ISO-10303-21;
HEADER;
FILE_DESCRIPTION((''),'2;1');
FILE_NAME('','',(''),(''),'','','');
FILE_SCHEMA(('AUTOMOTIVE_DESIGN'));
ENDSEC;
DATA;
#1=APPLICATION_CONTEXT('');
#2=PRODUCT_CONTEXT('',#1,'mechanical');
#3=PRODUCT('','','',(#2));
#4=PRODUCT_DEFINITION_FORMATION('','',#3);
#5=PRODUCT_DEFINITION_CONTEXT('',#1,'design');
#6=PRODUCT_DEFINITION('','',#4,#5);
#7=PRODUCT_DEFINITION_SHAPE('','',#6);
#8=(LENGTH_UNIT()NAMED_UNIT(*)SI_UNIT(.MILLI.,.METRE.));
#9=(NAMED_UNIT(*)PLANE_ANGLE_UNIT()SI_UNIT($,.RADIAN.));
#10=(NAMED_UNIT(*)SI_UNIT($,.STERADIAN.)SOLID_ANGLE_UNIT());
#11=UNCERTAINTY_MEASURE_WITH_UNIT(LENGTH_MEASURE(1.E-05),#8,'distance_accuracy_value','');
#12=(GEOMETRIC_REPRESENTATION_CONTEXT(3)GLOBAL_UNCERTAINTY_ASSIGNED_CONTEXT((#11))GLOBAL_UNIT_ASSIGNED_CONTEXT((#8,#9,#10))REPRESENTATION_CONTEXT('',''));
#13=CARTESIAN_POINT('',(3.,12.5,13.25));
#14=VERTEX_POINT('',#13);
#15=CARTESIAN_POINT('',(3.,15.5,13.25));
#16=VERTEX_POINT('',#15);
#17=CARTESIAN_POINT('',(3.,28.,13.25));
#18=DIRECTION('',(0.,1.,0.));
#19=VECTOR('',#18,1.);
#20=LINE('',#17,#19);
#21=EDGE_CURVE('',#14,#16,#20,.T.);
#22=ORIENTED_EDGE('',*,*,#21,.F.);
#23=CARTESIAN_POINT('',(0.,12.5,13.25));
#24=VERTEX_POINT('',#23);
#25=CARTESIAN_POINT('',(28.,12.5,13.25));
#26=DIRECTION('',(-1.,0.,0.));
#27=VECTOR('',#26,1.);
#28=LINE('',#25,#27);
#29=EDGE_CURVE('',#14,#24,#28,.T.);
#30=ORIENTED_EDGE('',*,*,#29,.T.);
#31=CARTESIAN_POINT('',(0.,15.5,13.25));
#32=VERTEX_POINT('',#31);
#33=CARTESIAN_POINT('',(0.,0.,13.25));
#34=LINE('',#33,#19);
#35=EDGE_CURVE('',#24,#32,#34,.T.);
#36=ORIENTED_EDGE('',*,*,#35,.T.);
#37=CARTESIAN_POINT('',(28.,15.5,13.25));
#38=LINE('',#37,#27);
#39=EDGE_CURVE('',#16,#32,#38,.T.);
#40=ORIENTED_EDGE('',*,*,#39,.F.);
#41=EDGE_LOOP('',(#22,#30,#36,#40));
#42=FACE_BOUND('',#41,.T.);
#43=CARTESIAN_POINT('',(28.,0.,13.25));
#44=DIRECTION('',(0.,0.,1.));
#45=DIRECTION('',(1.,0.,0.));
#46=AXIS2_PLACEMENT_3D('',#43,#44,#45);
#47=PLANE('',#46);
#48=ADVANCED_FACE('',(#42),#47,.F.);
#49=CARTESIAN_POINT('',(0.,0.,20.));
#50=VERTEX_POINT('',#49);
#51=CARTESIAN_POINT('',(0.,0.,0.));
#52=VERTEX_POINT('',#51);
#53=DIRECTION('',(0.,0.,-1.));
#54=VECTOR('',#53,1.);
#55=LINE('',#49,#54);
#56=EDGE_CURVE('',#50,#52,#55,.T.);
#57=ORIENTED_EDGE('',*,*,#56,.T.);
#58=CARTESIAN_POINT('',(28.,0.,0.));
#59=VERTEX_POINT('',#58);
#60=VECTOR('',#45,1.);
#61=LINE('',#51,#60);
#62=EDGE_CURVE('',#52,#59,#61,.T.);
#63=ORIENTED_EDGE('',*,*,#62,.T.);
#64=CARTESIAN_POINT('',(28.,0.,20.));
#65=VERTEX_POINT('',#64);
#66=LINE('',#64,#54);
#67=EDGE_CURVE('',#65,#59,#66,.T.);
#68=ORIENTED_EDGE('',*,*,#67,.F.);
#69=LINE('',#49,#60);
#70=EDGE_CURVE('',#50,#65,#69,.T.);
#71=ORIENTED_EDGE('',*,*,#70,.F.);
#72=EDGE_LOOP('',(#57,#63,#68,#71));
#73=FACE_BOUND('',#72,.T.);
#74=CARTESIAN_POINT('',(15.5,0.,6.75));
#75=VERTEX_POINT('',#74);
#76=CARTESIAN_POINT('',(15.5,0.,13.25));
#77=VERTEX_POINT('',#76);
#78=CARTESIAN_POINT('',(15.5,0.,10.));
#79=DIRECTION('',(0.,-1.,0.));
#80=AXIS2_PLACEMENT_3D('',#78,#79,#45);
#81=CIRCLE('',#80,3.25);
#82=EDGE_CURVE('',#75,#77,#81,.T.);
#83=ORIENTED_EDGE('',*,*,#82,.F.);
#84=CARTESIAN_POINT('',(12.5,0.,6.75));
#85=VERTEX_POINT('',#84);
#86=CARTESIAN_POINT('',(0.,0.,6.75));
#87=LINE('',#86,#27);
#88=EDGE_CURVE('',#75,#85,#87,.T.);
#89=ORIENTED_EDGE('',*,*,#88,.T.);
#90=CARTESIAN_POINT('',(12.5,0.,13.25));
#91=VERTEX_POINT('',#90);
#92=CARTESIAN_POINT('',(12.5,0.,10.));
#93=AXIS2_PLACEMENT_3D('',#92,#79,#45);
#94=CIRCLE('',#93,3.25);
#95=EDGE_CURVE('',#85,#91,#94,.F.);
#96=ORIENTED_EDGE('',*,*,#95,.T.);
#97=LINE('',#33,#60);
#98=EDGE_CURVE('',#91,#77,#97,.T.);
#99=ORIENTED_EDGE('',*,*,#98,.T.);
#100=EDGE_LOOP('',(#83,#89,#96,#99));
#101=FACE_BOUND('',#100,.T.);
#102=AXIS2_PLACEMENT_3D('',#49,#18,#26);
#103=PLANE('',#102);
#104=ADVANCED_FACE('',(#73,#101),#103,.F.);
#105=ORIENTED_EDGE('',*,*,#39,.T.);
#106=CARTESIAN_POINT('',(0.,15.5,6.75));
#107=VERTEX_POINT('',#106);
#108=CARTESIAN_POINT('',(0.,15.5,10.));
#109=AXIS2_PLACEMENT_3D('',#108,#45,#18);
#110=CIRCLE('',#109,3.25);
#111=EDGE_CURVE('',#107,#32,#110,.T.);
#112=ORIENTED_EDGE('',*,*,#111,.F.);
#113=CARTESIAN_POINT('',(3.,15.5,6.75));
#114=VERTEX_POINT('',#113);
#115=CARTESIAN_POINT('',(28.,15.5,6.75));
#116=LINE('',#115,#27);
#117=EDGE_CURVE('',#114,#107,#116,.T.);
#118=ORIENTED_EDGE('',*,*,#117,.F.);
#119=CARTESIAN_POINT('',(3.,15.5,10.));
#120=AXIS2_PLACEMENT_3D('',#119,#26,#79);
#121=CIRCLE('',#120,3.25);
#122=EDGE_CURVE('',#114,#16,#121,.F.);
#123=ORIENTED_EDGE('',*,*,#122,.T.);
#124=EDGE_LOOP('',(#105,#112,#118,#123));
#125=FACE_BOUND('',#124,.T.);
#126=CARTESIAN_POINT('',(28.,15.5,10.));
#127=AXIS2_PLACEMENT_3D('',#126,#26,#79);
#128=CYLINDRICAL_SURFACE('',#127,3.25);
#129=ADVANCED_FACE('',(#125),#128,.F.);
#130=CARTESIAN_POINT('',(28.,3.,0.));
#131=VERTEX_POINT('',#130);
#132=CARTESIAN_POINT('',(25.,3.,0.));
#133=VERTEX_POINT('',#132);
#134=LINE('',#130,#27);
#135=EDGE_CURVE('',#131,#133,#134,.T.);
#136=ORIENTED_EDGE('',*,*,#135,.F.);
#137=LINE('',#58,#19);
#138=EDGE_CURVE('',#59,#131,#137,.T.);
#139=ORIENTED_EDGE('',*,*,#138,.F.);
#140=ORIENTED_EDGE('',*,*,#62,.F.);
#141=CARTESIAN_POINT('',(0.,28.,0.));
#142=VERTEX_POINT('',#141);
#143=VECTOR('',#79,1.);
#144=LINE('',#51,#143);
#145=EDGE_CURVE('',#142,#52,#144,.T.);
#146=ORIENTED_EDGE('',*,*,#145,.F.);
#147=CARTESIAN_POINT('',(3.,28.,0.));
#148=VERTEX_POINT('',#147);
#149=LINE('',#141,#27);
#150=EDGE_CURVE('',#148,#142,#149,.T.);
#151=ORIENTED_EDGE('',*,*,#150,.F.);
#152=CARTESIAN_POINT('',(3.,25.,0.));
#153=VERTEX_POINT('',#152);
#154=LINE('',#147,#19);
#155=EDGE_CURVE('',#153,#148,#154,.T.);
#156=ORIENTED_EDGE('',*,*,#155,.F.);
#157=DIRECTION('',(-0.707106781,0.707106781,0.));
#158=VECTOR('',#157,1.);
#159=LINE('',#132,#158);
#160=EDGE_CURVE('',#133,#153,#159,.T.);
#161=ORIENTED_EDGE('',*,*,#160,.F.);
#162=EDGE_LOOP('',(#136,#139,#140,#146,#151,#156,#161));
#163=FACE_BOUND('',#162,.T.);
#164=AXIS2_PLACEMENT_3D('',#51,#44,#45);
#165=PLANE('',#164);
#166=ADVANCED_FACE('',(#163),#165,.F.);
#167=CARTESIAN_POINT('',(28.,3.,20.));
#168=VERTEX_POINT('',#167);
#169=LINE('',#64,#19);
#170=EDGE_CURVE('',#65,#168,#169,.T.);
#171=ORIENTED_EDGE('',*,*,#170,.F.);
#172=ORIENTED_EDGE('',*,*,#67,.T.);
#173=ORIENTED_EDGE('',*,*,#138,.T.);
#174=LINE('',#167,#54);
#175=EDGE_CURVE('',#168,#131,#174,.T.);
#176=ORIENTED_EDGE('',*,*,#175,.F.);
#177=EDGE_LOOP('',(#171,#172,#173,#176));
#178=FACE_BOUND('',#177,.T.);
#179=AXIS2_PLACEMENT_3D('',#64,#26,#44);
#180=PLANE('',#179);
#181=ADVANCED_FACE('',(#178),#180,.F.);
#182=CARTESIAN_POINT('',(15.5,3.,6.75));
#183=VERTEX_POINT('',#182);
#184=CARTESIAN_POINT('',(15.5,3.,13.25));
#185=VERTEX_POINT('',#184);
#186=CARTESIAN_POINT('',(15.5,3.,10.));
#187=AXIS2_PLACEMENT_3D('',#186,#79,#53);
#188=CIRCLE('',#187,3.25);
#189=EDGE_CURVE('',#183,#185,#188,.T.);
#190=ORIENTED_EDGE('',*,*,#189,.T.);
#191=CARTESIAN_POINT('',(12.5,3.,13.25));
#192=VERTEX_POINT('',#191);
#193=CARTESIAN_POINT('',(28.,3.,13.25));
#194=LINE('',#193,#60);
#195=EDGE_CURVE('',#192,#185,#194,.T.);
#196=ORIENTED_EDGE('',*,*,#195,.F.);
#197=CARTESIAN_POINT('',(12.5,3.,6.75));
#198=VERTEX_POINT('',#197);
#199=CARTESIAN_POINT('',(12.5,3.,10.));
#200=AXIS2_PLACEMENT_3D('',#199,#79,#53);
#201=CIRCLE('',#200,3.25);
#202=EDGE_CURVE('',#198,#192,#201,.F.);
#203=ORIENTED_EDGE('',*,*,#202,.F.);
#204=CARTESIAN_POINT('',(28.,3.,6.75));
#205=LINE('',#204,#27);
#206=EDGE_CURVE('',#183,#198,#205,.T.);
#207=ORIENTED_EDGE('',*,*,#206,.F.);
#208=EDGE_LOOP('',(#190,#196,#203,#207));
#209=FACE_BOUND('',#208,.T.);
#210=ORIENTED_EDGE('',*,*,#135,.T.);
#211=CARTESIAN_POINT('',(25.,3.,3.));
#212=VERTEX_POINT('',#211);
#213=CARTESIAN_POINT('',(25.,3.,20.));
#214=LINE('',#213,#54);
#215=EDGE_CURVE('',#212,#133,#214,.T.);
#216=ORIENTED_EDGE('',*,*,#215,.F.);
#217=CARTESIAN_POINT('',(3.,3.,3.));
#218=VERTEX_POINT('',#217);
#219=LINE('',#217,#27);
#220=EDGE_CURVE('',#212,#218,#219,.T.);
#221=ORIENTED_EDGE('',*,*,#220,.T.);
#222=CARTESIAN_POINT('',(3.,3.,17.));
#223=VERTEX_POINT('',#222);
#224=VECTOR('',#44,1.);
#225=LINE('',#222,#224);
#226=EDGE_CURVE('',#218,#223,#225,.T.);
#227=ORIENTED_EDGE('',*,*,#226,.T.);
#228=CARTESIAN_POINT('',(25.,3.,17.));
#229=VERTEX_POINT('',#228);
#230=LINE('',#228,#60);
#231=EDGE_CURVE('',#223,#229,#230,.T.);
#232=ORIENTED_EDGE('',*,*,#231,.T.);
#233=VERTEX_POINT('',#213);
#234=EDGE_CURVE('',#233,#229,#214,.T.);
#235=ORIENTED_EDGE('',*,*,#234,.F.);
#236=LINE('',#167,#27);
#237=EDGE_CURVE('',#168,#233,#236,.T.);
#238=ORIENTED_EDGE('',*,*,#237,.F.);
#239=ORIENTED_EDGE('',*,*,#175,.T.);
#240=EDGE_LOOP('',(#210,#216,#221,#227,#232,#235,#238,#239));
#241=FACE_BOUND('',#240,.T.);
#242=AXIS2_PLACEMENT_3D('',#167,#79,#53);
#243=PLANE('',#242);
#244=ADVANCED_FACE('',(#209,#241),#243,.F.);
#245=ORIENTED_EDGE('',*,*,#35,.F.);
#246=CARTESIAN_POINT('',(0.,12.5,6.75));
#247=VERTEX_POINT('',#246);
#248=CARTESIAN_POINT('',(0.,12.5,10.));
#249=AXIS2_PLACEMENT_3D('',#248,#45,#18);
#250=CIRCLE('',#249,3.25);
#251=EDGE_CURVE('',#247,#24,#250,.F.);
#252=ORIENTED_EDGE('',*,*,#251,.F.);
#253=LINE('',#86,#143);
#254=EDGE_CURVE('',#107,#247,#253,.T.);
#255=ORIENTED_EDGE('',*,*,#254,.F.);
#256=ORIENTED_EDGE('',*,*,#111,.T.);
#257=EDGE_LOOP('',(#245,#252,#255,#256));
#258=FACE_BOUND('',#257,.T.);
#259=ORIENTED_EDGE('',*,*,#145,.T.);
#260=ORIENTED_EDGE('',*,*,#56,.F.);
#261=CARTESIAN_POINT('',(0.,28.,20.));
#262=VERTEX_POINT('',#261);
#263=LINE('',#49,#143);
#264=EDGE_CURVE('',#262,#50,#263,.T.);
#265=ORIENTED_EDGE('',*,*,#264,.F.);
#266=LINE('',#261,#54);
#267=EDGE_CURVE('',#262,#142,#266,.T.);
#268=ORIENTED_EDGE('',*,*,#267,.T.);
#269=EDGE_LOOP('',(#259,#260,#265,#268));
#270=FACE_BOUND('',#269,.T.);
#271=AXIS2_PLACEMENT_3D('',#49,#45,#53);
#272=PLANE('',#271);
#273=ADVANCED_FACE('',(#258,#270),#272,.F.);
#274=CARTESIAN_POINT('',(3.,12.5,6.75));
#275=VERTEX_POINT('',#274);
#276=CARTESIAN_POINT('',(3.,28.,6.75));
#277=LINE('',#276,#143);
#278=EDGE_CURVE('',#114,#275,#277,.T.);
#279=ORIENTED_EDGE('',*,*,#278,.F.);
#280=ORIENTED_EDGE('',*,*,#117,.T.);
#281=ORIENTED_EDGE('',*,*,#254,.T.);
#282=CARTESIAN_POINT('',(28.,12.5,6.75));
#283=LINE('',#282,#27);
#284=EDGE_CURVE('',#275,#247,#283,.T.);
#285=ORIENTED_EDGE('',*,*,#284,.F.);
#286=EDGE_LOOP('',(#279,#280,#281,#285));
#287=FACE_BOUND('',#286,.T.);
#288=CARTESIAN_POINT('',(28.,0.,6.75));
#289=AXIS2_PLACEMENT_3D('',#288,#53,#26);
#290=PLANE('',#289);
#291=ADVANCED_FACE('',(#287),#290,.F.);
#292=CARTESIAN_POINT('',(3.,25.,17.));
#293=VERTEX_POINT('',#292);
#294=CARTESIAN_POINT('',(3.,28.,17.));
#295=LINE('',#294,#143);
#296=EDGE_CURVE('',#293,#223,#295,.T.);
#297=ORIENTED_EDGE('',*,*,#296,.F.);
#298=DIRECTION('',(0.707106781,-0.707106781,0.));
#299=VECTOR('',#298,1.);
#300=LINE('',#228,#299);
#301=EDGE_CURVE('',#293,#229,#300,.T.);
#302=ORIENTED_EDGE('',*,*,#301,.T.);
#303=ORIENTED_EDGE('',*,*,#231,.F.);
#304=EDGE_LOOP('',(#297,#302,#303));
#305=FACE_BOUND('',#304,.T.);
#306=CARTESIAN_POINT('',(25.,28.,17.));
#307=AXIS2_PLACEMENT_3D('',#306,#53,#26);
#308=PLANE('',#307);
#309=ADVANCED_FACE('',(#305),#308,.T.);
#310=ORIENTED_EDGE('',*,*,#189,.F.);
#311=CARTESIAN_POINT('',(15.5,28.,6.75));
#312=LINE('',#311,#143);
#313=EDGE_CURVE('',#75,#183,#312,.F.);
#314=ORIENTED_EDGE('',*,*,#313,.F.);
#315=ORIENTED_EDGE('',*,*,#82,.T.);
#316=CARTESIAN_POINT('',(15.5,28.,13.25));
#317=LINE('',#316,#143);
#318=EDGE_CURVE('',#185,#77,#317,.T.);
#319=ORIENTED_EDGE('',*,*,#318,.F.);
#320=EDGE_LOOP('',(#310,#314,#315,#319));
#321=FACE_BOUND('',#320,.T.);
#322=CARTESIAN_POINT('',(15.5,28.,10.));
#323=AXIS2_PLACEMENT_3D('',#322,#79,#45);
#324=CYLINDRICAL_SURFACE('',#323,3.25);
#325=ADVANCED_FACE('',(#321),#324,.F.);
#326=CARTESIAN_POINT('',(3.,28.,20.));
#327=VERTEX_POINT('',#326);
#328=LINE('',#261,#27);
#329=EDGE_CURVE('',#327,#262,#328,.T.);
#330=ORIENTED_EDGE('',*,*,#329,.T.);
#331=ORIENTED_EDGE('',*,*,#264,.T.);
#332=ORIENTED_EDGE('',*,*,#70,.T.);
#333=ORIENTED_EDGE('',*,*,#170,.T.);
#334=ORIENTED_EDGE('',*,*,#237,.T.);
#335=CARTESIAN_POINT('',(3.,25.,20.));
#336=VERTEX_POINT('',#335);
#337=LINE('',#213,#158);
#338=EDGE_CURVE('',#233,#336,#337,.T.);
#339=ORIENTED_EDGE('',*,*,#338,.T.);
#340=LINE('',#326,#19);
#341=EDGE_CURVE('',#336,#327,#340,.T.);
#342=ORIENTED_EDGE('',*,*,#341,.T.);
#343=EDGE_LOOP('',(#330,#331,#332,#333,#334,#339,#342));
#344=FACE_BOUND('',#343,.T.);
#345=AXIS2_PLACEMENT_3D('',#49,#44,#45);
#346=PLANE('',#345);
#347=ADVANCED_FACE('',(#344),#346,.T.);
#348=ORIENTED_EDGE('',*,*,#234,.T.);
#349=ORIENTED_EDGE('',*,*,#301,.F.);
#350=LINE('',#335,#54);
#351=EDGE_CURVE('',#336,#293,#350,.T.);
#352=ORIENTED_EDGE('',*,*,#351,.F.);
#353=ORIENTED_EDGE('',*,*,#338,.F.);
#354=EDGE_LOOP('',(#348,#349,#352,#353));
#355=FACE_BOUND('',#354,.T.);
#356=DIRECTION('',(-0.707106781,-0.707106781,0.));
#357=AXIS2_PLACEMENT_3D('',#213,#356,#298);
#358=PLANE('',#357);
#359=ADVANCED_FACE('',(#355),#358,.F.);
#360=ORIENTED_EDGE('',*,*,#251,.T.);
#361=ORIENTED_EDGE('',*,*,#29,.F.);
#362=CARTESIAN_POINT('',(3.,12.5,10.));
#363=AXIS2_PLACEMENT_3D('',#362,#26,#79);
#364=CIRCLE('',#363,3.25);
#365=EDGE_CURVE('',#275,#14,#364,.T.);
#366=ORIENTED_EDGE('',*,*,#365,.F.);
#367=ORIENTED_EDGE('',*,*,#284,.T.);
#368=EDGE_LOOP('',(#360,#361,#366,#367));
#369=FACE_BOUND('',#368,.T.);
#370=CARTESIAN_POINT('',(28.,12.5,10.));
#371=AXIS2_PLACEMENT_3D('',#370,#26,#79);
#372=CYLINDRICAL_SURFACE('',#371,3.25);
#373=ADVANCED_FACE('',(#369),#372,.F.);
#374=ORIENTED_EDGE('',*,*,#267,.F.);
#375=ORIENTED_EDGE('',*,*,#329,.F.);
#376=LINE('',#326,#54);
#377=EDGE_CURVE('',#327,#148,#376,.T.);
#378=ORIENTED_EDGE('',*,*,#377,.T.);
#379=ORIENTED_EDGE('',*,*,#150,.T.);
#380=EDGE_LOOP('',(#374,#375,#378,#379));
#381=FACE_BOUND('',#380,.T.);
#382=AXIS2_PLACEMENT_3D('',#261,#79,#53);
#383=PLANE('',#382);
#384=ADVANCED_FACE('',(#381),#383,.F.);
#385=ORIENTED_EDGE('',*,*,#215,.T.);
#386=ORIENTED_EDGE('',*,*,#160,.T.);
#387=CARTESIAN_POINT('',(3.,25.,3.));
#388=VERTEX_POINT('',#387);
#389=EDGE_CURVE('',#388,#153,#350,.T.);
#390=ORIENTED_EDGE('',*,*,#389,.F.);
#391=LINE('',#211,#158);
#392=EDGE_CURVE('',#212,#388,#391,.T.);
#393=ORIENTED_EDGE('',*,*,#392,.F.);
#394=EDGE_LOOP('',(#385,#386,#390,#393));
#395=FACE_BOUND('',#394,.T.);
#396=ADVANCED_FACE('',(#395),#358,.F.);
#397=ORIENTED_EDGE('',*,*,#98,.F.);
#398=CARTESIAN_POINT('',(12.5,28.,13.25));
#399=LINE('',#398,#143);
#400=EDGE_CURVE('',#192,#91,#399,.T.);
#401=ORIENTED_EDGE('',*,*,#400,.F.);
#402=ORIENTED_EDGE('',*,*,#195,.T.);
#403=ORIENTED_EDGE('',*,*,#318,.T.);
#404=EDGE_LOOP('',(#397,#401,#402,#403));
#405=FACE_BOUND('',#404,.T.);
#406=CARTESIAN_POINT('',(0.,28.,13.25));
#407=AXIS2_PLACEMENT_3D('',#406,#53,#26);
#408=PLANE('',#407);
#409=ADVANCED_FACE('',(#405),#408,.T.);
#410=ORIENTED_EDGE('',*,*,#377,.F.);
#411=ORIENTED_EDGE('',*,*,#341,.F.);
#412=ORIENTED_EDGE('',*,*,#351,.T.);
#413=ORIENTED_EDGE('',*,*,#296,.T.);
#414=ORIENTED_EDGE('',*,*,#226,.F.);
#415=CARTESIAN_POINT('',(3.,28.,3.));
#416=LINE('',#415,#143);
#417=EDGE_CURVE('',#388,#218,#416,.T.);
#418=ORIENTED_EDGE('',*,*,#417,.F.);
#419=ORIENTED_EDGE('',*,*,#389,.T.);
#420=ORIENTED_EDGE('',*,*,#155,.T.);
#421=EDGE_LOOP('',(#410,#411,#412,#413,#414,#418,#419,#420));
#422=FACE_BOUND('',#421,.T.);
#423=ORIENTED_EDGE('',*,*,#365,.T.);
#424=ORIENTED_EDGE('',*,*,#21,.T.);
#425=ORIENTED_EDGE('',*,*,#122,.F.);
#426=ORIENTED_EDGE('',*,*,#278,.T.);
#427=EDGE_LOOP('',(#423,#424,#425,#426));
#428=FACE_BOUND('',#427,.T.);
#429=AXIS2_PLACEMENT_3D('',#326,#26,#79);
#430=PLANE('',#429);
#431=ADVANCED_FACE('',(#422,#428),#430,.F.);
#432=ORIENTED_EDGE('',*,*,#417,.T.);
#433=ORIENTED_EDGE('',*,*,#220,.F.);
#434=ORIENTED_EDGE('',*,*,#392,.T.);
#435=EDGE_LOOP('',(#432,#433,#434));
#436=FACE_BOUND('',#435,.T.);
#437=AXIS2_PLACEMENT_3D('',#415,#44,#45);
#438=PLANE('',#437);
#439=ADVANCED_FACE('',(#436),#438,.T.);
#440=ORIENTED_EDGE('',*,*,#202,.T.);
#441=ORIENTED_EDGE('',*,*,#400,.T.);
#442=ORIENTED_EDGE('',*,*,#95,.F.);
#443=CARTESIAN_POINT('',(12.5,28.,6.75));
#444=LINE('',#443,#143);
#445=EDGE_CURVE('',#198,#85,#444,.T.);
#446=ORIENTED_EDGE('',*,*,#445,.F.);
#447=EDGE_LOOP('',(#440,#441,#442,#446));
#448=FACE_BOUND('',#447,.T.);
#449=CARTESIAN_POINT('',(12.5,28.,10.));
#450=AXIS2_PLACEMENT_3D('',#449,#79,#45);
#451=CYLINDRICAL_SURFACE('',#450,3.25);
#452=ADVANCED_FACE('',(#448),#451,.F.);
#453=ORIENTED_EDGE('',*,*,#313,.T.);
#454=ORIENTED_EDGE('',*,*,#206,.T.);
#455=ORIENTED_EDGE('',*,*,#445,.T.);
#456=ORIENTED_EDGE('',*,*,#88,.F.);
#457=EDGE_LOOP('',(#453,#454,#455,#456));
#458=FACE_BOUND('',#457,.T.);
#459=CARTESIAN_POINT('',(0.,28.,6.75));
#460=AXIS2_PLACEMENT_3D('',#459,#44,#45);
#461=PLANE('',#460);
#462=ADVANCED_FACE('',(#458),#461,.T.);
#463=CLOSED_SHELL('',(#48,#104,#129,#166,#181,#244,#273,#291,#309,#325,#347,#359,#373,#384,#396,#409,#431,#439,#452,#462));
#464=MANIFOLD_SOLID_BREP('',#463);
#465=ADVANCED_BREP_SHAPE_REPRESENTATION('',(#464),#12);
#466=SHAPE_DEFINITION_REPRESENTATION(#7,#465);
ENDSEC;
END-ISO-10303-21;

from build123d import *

# Parameters (mm, degrees)
BOSS_EXTRUDE1_DEPTH = 20
SKETCH2_W           = 22
SKETCH2_H           = 14
CUT_EXTRUDE1_DEPTH  = 43.532340636
CUT_EXTRUDE2_DEPTH  = 45.362146026


with BuildPart() as part:
    # Sketch1 → Boss-Extrude1 (new body)
    with BuildSketch(Plane.XY):
        Polygon((0, 0), (0, 28), (3, 28), (3, 25), (25, 3), (28, 3), (28, 0), align=None)
    extrude(amount=BOSS_EXTRUDE1_DEPTH)

    # Sketch2 → Cut-Extrude1 (cut, through all)
    with BuildSketch(Plane(origin=(0, 3, 0), x_dir=(1, 0, 0), z_dir=(0, 1, 0))):
        with Locations((14, -10)):
            Rectangle(SKETCH2_W, SKETCH2_H)
    extrude(amount=CUT_EXTRUDE1_DEPTH, mode=Mode.SUBTRACT)

    # Sketch3 → Cut-Extrude2 (cut, through all)
    with BuildSketch(Plane.XZ):
        with BuildLine():
            Line((15.5, 6.75), (12.5, 6.75))
            ThreePointArc((12.5, 6.75), (9.25, 10), (12.5, 13.25))
            Line((12.5, 13.25), (15.5, 13.25))
            ThreePointArc((15.5, 13.25), (18.75, 10), (15.5, 6.75))
        make_face()
    cut_extrude2 = extrude(amount=-CUT_EXTRUDE2_DEPTH, mode=Mode.SUBTRACT)

    # Mirror1: Cut-Extrude2 across plane
    add(cut_extrude2.mirror(Plane(origin=(0, 0, 0), x_dir=(0, 0, 1), z_dir=(-0.7071067811865487, 0.7071067811865464, 0))), mode=Mode.SUBTRACT)


solid = part.part
